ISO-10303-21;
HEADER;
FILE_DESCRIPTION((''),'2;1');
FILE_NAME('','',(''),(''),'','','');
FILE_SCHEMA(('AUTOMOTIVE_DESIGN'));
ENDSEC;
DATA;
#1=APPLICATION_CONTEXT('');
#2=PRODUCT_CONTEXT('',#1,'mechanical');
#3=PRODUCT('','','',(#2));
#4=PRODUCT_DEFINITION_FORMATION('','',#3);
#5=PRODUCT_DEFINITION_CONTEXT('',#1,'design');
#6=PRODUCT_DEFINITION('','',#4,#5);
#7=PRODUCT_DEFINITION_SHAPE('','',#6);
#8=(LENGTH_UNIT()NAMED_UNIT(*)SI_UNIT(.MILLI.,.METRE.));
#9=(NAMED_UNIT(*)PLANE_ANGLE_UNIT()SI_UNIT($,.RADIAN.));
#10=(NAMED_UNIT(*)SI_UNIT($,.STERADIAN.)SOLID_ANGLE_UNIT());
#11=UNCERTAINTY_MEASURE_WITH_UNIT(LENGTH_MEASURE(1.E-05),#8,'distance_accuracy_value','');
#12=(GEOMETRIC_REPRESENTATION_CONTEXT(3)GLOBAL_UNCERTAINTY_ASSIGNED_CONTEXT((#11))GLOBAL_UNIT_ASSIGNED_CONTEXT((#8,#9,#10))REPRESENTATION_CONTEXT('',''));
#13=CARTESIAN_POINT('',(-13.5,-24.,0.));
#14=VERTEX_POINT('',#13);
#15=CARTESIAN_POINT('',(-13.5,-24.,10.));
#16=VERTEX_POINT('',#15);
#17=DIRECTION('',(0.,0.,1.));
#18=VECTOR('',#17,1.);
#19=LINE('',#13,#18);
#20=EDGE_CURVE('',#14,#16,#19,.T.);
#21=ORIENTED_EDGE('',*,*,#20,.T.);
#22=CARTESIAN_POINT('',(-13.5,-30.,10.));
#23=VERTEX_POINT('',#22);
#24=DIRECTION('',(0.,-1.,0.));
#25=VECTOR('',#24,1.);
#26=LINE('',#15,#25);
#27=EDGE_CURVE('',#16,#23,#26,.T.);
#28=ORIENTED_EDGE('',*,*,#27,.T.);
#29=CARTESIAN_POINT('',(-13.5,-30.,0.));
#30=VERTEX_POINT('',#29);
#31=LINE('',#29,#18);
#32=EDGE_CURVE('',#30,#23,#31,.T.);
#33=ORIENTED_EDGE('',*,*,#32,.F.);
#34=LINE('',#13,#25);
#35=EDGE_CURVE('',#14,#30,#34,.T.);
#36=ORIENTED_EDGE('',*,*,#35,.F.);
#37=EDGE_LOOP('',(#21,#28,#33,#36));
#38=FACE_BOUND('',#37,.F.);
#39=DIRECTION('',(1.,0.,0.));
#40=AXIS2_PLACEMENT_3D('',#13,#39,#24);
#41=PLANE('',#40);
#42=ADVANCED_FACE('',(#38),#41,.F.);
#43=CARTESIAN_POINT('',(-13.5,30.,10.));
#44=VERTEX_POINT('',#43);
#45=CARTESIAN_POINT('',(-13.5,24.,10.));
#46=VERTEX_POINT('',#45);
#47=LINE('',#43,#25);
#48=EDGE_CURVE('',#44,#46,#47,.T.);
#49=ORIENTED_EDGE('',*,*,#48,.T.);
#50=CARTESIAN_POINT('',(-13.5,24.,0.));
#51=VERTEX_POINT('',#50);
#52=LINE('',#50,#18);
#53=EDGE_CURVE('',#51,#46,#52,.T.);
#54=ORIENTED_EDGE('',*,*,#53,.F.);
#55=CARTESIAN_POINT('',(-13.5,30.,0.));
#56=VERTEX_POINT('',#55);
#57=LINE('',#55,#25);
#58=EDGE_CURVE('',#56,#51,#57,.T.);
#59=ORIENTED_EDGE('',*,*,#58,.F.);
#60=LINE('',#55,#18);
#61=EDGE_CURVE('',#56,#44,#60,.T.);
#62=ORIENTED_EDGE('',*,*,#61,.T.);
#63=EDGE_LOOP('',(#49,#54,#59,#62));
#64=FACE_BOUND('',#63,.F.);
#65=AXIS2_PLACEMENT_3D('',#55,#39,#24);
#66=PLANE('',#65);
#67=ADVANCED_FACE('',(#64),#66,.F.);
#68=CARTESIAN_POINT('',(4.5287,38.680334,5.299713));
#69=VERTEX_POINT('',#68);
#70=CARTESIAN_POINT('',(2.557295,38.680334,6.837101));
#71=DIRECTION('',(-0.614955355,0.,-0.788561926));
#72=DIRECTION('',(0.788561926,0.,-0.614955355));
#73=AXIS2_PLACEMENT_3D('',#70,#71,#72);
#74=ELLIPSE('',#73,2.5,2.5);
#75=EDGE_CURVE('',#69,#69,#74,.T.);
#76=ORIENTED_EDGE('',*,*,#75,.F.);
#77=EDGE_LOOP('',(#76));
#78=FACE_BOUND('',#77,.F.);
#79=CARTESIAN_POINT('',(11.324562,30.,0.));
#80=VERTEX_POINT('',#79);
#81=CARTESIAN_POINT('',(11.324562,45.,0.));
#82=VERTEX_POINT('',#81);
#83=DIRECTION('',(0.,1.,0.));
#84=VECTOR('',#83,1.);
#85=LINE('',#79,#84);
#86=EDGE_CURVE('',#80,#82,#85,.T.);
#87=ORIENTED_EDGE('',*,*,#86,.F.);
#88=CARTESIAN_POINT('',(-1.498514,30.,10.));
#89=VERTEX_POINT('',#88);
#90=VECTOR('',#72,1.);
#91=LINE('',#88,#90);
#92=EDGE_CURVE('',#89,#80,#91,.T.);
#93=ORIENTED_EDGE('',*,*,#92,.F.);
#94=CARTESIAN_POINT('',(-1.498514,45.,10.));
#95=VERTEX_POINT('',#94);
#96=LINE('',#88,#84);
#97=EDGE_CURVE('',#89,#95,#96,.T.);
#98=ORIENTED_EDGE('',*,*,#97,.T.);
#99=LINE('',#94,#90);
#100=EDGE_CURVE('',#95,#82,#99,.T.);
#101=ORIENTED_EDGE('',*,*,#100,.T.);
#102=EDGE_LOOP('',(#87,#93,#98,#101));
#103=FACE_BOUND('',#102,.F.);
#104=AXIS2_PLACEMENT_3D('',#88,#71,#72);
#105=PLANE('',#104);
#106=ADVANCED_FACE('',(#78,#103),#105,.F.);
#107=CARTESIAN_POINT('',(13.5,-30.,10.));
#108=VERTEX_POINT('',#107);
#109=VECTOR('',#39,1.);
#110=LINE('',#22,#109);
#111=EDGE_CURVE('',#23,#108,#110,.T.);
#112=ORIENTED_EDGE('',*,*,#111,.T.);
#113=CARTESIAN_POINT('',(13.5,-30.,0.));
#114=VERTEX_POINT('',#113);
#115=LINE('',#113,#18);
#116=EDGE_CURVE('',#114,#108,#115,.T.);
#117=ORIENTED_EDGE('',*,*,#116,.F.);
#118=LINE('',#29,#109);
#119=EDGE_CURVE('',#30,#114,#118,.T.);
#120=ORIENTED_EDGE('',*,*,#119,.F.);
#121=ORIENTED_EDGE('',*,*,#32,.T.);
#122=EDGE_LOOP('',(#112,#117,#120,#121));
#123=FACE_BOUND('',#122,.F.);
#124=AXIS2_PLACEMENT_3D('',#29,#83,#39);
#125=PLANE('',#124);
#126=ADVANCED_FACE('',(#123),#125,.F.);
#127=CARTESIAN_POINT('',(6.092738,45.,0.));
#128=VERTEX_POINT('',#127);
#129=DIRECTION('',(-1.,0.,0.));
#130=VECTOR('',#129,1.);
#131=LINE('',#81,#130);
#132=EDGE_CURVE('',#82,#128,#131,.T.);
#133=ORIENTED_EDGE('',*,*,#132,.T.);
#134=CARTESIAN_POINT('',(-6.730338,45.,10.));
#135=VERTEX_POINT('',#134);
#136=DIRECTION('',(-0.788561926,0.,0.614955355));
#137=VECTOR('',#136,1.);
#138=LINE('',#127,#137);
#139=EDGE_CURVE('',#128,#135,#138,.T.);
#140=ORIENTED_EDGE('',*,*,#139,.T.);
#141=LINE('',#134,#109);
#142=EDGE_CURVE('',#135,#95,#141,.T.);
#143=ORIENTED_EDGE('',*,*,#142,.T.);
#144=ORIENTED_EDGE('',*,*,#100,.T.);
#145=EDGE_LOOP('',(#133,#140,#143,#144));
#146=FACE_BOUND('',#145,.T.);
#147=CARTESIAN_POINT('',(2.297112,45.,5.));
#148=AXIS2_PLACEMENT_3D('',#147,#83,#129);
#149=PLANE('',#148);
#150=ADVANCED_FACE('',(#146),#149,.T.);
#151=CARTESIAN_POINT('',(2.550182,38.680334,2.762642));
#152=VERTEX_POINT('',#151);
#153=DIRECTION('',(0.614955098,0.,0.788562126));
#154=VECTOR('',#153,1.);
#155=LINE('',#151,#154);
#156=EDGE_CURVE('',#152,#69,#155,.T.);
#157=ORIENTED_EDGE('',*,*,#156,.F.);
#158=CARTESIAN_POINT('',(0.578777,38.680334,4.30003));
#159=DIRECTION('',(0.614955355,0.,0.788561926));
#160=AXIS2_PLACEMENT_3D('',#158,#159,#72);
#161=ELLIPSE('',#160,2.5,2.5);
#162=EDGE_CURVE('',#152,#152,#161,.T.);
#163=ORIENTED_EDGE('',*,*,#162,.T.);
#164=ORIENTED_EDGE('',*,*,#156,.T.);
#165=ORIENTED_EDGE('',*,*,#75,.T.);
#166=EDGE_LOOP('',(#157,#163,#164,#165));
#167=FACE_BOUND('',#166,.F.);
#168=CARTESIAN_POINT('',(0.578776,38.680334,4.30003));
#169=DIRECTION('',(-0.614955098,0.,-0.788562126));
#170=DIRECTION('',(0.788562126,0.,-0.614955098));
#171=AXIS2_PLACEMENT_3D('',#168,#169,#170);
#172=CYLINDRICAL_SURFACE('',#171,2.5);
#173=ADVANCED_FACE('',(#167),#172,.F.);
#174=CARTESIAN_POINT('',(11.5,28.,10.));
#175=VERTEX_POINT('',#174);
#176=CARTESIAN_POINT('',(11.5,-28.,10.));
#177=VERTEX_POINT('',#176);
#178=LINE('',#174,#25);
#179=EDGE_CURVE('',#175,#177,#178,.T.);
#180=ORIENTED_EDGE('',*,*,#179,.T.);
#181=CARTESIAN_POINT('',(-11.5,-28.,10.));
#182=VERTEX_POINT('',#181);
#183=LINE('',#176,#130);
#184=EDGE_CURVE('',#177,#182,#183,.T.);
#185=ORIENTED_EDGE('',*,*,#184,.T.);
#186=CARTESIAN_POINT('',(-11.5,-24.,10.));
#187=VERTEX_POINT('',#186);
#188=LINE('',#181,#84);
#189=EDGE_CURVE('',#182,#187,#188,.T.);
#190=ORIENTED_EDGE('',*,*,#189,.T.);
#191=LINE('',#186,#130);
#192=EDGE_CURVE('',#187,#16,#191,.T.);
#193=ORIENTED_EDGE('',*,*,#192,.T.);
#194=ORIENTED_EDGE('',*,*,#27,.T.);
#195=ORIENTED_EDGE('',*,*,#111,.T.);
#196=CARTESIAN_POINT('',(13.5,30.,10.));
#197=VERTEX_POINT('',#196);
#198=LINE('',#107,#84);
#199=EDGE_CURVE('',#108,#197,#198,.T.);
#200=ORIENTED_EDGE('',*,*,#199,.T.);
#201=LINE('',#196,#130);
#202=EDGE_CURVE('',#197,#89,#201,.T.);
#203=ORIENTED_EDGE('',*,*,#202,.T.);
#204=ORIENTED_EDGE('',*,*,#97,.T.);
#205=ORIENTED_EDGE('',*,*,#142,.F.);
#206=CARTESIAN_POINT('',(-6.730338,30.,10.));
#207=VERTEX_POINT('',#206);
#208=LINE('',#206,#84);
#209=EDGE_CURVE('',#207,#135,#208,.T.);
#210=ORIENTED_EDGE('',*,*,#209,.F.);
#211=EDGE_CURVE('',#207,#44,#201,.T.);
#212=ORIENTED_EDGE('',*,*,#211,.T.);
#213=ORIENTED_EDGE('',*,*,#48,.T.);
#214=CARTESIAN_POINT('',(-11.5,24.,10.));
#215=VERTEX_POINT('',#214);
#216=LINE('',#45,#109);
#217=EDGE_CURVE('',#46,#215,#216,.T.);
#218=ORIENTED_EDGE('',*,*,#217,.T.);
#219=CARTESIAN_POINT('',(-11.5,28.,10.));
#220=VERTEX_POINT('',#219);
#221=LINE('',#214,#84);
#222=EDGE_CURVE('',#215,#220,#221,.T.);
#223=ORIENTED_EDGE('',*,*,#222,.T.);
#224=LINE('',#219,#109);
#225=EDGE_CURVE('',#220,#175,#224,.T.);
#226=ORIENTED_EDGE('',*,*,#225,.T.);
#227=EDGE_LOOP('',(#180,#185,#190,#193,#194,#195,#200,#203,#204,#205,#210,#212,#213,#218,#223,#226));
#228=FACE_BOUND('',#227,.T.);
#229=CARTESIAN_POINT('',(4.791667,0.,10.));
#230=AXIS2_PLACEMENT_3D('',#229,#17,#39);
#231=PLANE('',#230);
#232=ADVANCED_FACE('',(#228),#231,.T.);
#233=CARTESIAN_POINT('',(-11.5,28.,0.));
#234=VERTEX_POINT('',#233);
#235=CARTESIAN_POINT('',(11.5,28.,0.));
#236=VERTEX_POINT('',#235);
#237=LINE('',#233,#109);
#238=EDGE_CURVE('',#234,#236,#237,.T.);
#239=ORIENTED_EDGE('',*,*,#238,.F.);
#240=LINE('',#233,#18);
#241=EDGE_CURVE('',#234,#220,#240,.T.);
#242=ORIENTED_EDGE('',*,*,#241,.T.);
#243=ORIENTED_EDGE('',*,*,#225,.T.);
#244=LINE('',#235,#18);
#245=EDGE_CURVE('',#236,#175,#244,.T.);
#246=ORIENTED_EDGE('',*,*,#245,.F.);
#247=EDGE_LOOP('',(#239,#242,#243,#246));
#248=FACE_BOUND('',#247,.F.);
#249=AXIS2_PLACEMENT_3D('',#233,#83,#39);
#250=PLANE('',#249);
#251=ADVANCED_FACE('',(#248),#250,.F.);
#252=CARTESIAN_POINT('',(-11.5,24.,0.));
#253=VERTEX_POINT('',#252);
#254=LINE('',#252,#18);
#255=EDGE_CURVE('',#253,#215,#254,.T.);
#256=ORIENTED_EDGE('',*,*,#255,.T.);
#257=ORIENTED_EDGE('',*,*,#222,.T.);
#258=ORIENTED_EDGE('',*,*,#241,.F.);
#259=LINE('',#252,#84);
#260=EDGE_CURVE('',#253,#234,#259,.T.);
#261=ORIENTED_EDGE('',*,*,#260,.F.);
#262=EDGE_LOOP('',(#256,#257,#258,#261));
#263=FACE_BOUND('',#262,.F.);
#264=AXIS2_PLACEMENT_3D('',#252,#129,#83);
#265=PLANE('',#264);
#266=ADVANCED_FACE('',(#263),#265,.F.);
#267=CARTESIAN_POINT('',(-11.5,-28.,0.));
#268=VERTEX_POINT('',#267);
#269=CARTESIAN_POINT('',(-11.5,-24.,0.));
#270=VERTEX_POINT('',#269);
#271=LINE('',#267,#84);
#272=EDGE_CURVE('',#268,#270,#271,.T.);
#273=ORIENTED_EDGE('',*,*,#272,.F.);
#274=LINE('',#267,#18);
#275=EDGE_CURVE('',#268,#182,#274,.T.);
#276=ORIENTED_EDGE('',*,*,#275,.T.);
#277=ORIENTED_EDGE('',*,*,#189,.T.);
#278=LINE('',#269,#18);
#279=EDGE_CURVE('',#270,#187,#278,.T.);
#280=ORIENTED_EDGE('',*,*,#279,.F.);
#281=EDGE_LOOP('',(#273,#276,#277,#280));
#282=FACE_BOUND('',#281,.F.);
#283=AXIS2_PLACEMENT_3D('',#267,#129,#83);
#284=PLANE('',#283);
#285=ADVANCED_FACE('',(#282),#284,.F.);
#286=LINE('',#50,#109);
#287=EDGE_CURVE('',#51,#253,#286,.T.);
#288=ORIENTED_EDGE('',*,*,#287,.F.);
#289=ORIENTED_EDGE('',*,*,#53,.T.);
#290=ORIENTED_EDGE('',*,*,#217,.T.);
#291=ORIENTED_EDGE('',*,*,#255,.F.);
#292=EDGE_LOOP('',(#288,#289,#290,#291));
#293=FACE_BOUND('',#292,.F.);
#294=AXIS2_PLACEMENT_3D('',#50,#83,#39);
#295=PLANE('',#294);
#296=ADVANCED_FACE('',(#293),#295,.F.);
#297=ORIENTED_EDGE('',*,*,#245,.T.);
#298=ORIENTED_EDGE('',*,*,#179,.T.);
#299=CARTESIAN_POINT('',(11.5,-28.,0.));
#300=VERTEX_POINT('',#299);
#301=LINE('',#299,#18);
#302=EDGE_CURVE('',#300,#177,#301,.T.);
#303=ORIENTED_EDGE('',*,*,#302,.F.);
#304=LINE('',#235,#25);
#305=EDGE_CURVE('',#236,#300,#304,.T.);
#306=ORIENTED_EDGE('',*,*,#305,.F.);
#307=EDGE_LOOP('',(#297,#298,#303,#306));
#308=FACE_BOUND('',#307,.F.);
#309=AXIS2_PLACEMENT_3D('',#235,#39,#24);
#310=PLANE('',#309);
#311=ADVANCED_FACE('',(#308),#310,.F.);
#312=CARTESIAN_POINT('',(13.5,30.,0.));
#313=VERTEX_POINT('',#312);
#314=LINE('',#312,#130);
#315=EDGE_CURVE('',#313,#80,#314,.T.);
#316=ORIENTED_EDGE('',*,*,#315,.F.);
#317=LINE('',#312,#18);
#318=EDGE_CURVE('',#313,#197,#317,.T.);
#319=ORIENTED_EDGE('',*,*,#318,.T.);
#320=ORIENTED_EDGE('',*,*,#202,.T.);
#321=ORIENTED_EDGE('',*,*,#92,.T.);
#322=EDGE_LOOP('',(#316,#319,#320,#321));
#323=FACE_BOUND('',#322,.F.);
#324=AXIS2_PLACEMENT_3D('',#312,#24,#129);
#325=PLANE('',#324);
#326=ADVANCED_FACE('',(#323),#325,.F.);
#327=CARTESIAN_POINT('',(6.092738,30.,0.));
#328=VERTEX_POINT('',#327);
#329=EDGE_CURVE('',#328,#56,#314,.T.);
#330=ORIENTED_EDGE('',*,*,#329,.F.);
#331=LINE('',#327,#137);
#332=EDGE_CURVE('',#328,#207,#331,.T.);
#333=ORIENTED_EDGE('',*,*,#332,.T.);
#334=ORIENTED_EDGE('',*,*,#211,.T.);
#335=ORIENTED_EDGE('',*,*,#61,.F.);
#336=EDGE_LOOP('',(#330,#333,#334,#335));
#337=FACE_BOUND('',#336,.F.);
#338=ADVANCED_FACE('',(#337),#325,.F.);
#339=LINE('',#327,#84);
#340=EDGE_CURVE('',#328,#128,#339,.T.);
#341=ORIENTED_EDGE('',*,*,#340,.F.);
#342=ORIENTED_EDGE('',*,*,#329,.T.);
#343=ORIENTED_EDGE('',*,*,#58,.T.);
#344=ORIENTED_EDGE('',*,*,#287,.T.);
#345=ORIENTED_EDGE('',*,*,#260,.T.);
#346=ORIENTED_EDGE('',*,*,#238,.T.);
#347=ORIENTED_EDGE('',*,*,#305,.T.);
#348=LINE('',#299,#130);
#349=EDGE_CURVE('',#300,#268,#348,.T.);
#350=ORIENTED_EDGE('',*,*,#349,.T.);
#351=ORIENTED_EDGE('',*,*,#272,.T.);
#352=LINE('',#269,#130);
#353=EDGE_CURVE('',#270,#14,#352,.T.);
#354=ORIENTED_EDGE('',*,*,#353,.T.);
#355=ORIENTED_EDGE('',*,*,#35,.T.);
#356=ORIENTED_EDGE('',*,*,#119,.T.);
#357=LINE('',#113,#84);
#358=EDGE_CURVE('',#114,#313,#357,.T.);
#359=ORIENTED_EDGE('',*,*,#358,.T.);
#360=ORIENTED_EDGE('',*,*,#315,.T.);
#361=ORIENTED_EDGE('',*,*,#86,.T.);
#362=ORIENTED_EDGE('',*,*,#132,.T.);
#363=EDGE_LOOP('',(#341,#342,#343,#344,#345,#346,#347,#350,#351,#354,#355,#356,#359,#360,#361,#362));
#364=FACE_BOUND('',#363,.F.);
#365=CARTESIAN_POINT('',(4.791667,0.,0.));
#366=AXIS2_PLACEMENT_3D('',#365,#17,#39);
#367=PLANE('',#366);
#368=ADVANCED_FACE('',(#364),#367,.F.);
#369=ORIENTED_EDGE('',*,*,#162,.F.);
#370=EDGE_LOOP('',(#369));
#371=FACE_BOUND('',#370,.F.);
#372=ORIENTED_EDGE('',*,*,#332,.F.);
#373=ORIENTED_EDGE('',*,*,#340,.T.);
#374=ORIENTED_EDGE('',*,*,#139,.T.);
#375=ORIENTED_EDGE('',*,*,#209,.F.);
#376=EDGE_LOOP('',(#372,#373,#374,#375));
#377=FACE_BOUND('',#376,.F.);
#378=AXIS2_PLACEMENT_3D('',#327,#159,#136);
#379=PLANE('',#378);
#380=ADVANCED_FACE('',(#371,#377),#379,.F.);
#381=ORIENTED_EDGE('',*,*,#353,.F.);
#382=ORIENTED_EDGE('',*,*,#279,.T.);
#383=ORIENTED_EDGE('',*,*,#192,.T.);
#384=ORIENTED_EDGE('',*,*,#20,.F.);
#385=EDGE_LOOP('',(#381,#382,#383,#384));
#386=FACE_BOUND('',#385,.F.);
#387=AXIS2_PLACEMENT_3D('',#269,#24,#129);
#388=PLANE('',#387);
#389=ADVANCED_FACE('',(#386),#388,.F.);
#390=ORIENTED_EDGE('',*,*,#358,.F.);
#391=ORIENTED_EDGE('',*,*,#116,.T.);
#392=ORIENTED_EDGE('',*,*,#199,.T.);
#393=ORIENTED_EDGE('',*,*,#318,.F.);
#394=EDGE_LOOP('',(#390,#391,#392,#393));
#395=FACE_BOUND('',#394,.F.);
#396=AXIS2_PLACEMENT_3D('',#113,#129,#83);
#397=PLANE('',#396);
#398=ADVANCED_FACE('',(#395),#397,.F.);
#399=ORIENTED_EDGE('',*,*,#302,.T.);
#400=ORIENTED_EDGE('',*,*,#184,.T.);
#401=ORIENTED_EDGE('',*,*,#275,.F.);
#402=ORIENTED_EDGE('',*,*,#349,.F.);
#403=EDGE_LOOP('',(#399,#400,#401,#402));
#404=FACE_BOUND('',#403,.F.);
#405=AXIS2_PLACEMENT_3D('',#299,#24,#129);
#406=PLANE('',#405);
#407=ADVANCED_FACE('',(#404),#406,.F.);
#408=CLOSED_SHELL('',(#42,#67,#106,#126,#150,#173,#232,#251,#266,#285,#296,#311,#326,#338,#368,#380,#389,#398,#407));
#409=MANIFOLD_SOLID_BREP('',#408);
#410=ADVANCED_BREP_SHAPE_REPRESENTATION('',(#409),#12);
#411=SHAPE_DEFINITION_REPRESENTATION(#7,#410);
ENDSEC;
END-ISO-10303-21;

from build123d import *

# Parameters (mm, degrees)
F1_DEPTH = 10
F3_DEPTH = 15
F4_R     = 2.5
F5_DEPTH = 12.441755


with BuildPart() as f1:
    # F0 (on Top) → F1 (new body)
    with BuildSketch(Plane.XY):
        Polygon((-13.5, -30), (13.5, -30), (13.5, 30), (-13.5, 30), (-13.5, 28), (-13.5, 24), (-11.5, 24), (-11.5, 28), (11.5, 28), (11.5, -28), (-11.5, -28), (-11.5, -24), (-13.5, -24), (-13.5, -28), align=None)
    extrude(amount=F1_DEPTH)

    # F2 (on face) → F3 (join)
    with BuildSketch(Plane(origin=(0, 30, 0), x_dir=(-1, 0, 0), z_dir=(0, 1, 0))):
        Polygon((-11.324562, 0), (-6.092738, 0), (6.730338, 10), (1.498514, 10), align=None)
    extrude(amount=F3_DEPTH)

    # F4 (on face) → F5 (cut, through all)
    with BuildSketch(Plane(origin=(2.304091, 0, 2.954554), x_dir=(0.788562, 0, -0.614955), z_dir=(-0.614955, 0, -0.788562))):
        with Locations((-2.187925, -38.680334)):
            Circle(F4_R)
    extrude(amount=-F5_DEPTH, mode=Mode.SUBTRACT)


solid = f1.part
